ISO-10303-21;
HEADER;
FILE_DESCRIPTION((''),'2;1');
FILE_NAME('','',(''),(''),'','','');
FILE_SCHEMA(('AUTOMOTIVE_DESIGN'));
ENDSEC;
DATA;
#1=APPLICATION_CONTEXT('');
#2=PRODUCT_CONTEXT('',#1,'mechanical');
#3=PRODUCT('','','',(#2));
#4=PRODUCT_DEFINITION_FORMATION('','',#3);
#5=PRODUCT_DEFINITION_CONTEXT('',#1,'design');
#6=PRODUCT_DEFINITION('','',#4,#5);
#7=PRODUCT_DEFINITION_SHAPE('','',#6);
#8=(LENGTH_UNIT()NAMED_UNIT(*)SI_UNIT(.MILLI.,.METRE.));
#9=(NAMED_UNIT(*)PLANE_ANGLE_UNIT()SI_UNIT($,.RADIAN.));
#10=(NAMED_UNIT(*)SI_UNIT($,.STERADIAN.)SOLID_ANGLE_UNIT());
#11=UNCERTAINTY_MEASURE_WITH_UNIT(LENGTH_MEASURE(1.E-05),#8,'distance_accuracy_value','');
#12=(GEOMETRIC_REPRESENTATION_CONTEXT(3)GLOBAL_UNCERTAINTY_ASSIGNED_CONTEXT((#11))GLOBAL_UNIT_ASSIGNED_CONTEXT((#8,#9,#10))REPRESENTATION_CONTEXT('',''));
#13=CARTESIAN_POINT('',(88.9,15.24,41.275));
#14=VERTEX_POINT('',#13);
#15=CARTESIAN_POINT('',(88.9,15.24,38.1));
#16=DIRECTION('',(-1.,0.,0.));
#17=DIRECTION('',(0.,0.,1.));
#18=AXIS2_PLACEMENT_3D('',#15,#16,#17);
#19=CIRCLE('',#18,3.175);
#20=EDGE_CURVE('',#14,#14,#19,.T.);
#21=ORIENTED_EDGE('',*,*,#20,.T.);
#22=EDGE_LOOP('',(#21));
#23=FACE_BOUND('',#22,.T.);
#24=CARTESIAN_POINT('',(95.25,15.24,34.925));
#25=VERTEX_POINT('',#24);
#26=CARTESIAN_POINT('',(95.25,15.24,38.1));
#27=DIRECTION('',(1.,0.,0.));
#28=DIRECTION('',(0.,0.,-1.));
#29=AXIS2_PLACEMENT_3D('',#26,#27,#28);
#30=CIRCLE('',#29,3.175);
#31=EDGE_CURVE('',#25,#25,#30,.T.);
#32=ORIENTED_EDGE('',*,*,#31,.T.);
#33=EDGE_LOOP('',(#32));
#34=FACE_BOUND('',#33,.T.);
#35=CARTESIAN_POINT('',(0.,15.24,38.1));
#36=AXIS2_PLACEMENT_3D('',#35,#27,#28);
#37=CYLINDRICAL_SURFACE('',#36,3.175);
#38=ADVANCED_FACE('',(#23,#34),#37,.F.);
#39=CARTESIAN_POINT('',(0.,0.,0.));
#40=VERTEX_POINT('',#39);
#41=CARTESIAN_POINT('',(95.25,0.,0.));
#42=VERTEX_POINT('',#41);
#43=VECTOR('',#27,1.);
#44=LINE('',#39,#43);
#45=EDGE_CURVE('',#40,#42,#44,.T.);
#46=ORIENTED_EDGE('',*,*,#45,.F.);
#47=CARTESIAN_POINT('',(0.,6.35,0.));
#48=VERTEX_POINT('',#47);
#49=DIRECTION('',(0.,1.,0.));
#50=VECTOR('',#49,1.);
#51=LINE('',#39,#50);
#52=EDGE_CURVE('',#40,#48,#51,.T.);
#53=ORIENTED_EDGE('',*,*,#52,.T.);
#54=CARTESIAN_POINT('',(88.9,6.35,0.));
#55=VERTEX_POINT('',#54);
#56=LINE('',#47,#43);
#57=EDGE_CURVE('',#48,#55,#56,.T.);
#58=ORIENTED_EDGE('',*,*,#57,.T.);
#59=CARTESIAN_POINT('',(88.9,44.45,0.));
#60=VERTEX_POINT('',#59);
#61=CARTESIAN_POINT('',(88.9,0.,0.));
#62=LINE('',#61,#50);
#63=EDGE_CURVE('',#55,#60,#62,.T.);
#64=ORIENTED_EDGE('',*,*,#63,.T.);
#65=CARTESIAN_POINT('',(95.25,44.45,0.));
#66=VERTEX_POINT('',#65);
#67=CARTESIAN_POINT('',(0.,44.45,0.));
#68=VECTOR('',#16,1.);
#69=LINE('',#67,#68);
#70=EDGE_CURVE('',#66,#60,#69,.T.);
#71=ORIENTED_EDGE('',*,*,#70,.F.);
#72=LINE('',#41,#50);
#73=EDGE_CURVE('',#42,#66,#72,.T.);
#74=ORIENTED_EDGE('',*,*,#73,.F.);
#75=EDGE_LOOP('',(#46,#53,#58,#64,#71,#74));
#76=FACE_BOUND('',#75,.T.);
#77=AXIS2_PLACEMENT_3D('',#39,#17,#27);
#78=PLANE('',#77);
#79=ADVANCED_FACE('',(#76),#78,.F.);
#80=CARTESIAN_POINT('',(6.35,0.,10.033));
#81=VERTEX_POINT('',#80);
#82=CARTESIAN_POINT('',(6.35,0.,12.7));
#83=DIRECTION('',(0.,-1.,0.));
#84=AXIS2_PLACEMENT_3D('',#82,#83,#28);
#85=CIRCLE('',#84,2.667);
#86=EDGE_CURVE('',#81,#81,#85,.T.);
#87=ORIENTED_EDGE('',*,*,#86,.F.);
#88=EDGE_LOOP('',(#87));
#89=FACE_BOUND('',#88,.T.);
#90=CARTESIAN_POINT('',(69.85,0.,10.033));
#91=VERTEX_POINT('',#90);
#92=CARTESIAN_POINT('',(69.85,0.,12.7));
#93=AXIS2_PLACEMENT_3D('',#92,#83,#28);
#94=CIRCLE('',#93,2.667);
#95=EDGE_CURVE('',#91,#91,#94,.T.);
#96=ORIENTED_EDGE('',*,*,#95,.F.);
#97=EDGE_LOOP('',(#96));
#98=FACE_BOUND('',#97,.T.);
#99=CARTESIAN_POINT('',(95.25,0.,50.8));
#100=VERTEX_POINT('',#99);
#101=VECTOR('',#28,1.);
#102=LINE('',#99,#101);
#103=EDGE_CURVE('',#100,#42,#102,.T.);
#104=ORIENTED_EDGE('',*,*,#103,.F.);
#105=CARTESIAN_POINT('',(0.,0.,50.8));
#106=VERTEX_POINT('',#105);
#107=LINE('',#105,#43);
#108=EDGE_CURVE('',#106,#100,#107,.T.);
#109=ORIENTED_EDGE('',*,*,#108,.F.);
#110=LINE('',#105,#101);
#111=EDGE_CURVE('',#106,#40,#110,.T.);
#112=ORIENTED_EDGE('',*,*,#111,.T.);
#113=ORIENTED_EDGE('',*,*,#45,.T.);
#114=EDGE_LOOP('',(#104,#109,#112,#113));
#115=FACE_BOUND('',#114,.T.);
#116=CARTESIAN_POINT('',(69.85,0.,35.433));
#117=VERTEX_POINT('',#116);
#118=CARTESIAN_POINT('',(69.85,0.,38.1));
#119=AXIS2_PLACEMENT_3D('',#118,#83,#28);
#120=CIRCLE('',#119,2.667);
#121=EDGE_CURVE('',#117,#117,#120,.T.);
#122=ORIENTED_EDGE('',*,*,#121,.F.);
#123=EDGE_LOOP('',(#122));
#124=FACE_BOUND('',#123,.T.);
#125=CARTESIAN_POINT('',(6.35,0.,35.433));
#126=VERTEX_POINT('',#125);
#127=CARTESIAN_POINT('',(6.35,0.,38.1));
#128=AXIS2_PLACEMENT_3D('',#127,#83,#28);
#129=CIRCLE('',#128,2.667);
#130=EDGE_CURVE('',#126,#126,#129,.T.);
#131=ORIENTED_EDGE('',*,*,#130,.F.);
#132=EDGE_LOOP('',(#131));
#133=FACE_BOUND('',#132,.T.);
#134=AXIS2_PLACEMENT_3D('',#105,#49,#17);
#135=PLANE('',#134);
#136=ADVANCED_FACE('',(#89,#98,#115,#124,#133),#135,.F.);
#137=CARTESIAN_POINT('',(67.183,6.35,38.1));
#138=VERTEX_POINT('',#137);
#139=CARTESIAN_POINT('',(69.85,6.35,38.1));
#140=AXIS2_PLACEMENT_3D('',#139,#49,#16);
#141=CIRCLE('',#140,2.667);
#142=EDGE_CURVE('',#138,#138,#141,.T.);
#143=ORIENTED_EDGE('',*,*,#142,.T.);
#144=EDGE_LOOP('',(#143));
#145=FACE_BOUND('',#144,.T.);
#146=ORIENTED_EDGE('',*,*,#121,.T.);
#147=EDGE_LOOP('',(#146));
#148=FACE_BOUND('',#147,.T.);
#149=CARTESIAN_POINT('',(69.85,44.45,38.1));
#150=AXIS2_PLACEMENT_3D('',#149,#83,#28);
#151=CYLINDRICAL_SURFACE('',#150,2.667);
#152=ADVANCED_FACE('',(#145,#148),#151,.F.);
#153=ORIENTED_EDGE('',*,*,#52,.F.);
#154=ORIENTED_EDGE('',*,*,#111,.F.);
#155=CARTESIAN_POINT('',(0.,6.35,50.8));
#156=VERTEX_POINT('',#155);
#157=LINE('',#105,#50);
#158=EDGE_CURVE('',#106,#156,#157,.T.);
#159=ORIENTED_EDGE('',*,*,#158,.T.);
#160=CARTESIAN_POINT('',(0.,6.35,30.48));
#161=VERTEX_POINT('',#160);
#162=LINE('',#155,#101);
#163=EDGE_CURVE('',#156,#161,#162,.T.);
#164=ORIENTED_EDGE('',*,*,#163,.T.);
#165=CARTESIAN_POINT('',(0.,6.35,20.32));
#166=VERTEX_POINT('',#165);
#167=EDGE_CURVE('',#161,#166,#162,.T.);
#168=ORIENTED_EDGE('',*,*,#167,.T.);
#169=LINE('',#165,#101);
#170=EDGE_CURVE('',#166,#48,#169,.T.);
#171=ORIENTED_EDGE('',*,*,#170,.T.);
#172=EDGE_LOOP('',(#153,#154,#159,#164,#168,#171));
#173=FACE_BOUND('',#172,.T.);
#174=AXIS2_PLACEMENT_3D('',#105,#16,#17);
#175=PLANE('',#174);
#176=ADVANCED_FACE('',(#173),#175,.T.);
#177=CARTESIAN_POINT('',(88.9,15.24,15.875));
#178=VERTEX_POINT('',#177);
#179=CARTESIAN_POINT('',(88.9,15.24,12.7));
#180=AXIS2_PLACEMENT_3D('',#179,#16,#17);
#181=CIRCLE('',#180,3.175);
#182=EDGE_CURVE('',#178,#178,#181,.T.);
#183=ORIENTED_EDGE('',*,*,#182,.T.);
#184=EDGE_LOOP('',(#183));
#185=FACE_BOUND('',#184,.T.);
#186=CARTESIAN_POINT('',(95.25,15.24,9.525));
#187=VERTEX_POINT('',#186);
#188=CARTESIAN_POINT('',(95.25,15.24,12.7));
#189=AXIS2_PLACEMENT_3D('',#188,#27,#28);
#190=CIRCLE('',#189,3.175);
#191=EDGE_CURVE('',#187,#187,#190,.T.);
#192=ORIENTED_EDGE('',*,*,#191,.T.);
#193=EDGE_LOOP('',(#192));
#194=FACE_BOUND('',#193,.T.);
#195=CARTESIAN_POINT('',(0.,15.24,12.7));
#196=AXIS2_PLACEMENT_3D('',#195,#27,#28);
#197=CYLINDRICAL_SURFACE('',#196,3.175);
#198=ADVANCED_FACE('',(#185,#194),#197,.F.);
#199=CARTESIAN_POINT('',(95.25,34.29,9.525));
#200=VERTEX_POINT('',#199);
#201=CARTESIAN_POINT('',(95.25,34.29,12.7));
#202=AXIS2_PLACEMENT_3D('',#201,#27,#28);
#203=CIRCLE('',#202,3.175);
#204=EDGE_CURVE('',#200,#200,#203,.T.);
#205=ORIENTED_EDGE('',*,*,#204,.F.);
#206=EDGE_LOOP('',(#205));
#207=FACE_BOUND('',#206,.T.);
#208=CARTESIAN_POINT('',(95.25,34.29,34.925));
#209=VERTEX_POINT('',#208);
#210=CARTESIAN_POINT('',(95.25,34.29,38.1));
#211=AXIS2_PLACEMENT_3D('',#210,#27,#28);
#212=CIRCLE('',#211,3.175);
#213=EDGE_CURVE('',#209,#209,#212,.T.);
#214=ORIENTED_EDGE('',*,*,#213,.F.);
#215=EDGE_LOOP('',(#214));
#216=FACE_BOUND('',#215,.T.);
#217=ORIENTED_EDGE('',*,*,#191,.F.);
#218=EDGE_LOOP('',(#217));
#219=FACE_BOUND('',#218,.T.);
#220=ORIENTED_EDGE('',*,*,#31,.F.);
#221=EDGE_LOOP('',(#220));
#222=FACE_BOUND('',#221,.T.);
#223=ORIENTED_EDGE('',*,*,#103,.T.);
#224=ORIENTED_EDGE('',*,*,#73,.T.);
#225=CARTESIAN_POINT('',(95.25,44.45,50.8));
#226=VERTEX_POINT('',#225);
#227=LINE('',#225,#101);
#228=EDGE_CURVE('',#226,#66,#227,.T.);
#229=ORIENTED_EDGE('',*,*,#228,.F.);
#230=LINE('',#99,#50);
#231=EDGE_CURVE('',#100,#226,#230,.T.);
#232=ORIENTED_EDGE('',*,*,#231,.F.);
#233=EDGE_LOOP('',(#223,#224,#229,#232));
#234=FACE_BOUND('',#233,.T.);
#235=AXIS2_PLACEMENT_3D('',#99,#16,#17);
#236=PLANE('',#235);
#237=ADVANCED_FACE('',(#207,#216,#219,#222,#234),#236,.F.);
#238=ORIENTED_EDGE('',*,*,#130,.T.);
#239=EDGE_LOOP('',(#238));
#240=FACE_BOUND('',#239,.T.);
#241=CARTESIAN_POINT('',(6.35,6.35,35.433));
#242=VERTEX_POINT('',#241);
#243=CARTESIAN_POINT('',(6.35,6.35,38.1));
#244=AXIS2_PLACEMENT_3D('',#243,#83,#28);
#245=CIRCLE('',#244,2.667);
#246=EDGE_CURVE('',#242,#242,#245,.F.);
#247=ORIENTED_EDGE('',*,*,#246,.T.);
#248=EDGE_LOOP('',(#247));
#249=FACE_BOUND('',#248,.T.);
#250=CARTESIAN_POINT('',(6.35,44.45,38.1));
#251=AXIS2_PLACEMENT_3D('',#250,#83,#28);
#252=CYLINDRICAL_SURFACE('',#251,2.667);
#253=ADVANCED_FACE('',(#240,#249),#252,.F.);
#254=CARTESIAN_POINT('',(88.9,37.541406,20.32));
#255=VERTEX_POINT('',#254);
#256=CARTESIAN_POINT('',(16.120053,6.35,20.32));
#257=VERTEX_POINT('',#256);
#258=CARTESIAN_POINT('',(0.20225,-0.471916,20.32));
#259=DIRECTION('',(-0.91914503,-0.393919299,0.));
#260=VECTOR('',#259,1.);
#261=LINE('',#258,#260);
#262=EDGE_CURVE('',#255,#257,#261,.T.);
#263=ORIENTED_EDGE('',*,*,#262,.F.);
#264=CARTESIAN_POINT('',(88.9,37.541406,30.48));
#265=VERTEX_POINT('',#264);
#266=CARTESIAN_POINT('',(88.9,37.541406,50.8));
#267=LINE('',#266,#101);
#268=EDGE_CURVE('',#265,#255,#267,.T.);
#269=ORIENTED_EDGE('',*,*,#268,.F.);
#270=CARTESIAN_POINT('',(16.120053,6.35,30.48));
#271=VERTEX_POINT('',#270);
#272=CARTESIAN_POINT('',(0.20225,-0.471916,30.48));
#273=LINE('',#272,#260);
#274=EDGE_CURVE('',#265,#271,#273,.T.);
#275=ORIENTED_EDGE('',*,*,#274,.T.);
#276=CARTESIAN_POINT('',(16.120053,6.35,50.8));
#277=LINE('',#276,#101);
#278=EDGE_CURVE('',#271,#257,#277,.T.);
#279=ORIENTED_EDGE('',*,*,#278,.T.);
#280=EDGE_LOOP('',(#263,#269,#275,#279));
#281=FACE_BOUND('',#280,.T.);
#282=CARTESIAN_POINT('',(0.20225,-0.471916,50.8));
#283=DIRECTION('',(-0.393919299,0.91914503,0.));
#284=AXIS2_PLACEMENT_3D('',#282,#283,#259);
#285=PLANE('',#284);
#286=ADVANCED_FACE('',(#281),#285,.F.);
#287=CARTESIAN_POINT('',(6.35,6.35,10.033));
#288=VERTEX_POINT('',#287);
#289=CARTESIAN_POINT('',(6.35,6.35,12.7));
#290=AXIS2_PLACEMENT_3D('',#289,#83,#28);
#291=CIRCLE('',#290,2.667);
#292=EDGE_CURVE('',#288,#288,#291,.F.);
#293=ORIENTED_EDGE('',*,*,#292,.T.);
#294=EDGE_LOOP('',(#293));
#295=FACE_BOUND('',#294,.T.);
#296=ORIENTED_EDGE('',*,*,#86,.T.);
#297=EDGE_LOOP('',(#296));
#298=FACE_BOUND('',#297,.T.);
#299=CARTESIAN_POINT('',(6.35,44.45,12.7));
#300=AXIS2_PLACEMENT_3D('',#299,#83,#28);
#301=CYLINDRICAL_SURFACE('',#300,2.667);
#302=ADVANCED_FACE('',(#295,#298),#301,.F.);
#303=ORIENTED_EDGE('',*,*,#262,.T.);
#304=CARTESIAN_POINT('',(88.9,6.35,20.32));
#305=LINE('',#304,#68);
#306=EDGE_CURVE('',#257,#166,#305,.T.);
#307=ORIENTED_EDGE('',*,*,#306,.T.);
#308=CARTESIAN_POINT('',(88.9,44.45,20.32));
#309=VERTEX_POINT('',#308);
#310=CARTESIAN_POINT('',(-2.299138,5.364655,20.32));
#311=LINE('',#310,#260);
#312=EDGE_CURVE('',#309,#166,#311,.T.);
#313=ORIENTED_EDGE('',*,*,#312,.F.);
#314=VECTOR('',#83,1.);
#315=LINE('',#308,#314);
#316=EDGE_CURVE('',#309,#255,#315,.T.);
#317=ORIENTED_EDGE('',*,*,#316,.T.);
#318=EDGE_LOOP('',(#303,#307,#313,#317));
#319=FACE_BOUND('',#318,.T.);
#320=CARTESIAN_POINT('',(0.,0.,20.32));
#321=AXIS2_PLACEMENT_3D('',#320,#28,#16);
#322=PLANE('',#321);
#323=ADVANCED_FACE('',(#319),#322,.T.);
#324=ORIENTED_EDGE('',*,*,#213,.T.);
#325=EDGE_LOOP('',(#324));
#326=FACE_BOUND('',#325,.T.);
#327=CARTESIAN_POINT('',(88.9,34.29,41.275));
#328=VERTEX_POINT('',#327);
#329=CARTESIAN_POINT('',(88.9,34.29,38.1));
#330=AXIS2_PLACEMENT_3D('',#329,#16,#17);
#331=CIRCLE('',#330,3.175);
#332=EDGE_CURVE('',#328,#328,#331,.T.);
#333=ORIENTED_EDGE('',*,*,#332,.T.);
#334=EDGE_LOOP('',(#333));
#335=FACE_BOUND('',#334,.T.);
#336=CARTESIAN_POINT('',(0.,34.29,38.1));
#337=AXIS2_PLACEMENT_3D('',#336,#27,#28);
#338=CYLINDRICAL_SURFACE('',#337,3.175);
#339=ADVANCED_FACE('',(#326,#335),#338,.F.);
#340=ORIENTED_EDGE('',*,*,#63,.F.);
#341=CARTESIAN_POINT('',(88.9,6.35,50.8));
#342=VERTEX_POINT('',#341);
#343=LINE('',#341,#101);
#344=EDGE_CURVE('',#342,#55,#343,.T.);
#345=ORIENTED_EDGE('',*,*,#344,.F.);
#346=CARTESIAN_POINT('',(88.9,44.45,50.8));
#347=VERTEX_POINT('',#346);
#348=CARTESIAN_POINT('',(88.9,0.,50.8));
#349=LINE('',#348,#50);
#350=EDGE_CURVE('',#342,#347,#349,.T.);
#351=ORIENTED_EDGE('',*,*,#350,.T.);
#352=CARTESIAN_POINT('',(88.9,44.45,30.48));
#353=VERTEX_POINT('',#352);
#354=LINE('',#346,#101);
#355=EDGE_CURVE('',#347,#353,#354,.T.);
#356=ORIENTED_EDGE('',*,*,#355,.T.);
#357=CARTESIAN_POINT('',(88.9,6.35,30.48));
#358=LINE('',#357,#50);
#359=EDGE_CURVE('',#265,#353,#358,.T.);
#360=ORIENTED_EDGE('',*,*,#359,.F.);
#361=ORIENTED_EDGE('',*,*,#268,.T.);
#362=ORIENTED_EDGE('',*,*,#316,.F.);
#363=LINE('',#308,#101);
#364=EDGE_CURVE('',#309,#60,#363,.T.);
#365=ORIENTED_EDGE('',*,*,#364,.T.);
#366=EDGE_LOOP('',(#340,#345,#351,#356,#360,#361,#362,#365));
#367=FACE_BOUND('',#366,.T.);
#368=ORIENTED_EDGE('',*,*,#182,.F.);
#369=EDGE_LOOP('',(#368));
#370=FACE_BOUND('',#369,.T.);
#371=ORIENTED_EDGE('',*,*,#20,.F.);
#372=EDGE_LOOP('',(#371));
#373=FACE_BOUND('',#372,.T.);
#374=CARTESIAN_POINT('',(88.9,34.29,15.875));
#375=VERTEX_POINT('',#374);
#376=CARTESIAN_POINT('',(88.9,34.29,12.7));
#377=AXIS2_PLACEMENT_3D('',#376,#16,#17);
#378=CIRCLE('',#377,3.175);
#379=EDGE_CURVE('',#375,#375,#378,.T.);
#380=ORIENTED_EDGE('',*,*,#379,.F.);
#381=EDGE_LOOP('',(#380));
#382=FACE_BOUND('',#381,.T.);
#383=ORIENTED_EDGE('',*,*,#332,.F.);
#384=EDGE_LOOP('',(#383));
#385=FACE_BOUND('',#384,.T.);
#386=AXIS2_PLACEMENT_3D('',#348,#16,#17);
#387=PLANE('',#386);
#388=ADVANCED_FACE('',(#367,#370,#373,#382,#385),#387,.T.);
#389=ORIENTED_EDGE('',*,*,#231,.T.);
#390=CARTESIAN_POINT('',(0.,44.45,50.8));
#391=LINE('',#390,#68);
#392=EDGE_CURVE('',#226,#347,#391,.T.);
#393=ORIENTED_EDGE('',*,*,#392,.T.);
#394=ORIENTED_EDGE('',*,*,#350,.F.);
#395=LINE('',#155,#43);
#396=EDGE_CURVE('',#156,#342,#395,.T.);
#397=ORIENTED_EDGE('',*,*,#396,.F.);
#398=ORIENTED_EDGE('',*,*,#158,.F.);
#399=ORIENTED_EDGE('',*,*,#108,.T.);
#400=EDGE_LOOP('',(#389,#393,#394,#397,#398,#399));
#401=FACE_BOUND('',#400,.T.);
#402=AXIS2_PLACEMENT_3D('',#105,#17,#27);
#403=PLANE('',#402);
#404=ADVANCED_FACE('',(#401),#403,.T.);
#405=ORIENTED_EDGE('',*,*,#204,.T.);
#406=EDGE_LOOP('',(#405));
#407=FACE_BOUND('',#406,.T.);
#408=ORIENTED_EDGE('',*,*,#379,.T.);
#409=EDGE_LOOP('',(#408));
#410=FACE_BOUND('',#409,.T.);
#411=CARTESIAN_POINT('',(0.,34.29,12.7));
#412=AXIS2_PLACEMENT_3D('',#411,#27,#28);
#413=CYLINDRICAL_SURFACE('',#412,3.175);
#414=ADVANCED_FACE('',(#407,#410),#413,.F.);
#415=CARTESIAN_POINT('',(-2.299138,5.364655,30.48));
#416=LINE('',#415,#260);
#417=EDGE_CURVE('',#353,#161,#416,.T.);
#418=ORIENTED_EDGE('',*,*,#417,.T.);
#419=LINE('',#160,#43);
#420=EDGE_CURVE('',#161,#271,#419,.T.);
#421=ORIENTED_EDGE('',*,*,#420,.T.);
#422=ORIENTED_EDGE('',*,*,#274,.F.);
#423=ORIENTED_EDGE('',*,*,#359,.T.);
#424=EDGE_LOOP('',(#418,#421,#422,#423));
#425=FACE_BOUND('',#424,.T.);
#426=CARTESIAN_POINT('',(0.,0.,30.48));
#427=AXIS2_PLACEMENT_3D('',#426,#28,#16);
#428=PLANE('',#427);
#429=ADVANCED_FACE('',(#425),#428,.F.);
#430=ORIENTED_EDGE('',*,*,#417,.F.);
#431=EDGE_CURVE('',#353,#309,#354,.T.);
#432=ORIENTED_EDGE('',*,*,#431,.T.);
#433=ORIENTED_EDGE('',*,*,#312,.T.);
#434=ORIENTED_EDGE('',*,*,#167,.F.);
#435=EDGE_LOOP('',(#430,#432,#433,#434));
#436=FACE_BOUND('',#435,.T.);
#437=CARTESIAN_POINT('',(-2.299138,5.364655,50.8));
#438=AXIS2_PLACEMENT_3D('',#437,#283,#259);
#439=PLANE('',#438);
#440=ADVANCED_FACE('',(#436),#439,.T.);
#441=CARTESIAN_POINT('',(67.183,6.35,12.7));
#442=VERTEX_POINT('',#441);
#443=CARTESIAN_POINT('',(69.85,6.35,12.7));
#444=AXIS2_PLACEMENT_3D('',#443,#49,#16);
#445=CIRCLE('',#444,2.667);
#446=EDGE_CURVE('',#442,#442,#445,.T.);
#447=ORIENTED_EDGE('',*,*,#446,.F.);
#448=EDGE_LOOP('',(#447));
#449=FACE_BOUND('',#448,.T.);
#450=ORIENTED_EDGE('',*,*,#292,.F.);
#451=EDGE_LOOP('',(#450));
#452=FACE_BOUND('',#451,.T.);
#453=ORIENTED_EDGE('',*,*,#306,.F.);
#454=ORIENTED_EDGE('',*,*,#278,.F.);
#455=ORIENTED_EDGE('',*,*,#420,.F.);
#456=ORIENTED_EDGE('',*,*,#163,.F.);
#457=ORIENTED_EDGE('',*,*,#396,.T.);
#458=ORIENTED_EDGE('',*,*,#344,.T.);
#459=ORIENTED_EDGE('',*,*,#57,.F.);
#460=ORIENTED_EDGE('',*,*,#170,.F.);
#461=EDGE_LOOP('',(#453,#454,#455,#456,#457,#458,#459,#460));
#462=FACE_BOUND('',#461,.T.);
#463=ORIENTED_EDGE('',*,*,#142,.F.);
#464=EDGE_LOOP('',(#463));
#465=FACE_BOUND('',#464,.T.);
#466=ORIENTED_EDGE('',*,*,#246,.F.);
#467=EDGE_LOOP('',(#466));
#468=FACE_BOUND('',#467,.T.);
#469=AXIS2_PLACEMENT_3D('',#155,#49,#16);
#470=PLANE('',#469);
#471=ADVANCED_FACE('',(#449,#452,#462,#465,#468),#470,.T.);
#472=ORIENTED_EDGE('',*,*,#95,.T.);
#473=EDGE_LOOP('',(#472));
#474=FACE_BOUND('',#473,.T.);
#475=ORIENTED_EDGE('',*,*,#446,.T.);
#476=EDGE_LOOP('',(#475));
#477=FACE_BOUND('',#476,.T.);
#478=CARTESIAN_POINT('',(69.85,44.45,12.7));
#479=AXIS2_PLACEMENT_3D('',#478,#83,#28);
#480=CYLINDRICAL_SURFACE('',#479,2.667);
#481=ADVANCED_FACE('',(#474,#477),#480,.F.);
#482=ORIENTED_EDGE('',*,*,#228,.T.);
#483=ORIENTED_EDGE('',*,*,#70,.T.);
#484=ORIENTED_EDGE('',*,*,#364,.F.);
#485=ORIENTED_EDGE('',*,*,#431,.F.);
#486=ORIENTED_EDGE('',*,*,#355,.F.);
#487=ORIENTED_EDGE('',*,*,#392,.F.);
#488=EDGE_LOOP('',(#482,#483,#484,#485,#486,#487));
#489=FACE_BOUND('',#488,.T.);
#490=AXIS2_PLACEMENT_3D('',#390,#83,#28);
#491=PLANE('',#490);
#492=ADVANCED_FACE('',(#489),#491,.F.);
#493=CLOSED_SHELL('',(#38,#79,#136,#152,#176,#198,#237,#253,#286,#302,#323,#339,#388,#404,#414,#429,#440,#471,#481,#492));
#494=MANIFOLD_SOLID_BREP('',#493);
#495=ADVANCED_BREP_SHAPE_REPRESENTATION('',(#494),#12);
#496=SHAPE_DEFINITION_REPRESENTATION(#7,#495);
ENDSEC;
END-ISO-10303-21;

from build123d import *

# Parameters (mm, degrees)
BOSS_EXTRUDE1_DEPTH = 50.8
SKETCH4_R           = 2.667
CUT_EXTRUDE1_DEPTH  = 117.743329574
SKETCH5_W           = 88.9
SKETCH5_H           = 38.1
CUT_EXTRUDE2_DEPTH  = 20.32
SKETCH6_W           = 88.9
SKETCH6_H           = 38.1
CUT_EXTRUDE3_DEPTH  = 20.32
SKETCH7_R           = 3.175
CUT_EXTRUDE4_DEPTH  = 117.743329574


with BuildPart() as part:
    # Sketch3 → Boss-Extrude1 (new body)
    with BuildSketch(Plane.XY):
        Polygon((0, 6.35), (88.9, 44.45), (95.25, 44.45), (95.25, 0), (0, 0), align=None)
        Polygon((16.120053074, 6.35), (88.9, 6.35), (88.9, 37.541405825), align=None, mode=Mode.SUBTRACT)
    extrude(amount=BOSS_EXTRUDE1_DEPTH)

    # Sketch4 → Cut-Extrude1 (cut, through all)
    with BuildSketch(Plane.XZ):
        with Locations(Location((6.35, 38.1, 0), (0, 0, 270))):
            Circle(SKETCH4_R)
        with Locations(Location((6.35, 12.7, 0), (0, 0, 270))):
            Circle(SKETCH4_R)
        with Locations(Location((69.85, 12.7, 0), (0, 0, 270))):
            Circle(SKETCH4_R)
        with Locations(Location((69.85, 38.1, 0), (0, 0, 270))):
            Circle(SKETCH4_R)
    extrude(amount=-CUT_EXTRUDE1_DEPTH, mode=Mode.SUBTRACT)

    # Sketch5 → Cut-Extrude2 (cut)
    with BuildSketch(Plane.XY.offset(50.8)):
        with Locations((44.45, 25.4)):
            Rectangle(SKETCH5_W, SKETCH5_H)
    extrude(amount=-CUT_EXTRUDE2_DEPTH, mode=Mode.SUBTRACT)

    # Sketch6 → Cut-Extrude3 (cut)
    with BuildSketch(Plane(origin=(0, 0, 0), x_dir=(-1, 0, 0), z_dir=(0, 0, -1))):
        with Locations((-44.45, 25.4)):
            Rectangle(SKETCH6_W, SKETCH6_H)
    extrude(amount=-CUT_EXTRUDE3_DEPTH, mode=Mode.SUBTRACT)

    # Sketch7 → Cut-Extrude4 (cut, through all)
    with BuildSketch(Plane(origin=(95.25, 0, 0), x_dir=(0, 0, -1), z_dir=(1, 0, 0))):
        with Locations((-38.1, 15.24)):
            Circle(SKETCH7_R)
        with Locations((-12.7, 15.24)):
            Circle(SKETCH7_R)
        with Locations((-12.7, 34.29)):
            Circle(SKETCH7_R)
        with Locations((-38.1, 34.29)):
            Circle(SKETCH7_R)
    extrude(amount=-CUT_EXTRUDE4_DEPTH, mode=Mode.SUBTRACT)


solid = part.part
